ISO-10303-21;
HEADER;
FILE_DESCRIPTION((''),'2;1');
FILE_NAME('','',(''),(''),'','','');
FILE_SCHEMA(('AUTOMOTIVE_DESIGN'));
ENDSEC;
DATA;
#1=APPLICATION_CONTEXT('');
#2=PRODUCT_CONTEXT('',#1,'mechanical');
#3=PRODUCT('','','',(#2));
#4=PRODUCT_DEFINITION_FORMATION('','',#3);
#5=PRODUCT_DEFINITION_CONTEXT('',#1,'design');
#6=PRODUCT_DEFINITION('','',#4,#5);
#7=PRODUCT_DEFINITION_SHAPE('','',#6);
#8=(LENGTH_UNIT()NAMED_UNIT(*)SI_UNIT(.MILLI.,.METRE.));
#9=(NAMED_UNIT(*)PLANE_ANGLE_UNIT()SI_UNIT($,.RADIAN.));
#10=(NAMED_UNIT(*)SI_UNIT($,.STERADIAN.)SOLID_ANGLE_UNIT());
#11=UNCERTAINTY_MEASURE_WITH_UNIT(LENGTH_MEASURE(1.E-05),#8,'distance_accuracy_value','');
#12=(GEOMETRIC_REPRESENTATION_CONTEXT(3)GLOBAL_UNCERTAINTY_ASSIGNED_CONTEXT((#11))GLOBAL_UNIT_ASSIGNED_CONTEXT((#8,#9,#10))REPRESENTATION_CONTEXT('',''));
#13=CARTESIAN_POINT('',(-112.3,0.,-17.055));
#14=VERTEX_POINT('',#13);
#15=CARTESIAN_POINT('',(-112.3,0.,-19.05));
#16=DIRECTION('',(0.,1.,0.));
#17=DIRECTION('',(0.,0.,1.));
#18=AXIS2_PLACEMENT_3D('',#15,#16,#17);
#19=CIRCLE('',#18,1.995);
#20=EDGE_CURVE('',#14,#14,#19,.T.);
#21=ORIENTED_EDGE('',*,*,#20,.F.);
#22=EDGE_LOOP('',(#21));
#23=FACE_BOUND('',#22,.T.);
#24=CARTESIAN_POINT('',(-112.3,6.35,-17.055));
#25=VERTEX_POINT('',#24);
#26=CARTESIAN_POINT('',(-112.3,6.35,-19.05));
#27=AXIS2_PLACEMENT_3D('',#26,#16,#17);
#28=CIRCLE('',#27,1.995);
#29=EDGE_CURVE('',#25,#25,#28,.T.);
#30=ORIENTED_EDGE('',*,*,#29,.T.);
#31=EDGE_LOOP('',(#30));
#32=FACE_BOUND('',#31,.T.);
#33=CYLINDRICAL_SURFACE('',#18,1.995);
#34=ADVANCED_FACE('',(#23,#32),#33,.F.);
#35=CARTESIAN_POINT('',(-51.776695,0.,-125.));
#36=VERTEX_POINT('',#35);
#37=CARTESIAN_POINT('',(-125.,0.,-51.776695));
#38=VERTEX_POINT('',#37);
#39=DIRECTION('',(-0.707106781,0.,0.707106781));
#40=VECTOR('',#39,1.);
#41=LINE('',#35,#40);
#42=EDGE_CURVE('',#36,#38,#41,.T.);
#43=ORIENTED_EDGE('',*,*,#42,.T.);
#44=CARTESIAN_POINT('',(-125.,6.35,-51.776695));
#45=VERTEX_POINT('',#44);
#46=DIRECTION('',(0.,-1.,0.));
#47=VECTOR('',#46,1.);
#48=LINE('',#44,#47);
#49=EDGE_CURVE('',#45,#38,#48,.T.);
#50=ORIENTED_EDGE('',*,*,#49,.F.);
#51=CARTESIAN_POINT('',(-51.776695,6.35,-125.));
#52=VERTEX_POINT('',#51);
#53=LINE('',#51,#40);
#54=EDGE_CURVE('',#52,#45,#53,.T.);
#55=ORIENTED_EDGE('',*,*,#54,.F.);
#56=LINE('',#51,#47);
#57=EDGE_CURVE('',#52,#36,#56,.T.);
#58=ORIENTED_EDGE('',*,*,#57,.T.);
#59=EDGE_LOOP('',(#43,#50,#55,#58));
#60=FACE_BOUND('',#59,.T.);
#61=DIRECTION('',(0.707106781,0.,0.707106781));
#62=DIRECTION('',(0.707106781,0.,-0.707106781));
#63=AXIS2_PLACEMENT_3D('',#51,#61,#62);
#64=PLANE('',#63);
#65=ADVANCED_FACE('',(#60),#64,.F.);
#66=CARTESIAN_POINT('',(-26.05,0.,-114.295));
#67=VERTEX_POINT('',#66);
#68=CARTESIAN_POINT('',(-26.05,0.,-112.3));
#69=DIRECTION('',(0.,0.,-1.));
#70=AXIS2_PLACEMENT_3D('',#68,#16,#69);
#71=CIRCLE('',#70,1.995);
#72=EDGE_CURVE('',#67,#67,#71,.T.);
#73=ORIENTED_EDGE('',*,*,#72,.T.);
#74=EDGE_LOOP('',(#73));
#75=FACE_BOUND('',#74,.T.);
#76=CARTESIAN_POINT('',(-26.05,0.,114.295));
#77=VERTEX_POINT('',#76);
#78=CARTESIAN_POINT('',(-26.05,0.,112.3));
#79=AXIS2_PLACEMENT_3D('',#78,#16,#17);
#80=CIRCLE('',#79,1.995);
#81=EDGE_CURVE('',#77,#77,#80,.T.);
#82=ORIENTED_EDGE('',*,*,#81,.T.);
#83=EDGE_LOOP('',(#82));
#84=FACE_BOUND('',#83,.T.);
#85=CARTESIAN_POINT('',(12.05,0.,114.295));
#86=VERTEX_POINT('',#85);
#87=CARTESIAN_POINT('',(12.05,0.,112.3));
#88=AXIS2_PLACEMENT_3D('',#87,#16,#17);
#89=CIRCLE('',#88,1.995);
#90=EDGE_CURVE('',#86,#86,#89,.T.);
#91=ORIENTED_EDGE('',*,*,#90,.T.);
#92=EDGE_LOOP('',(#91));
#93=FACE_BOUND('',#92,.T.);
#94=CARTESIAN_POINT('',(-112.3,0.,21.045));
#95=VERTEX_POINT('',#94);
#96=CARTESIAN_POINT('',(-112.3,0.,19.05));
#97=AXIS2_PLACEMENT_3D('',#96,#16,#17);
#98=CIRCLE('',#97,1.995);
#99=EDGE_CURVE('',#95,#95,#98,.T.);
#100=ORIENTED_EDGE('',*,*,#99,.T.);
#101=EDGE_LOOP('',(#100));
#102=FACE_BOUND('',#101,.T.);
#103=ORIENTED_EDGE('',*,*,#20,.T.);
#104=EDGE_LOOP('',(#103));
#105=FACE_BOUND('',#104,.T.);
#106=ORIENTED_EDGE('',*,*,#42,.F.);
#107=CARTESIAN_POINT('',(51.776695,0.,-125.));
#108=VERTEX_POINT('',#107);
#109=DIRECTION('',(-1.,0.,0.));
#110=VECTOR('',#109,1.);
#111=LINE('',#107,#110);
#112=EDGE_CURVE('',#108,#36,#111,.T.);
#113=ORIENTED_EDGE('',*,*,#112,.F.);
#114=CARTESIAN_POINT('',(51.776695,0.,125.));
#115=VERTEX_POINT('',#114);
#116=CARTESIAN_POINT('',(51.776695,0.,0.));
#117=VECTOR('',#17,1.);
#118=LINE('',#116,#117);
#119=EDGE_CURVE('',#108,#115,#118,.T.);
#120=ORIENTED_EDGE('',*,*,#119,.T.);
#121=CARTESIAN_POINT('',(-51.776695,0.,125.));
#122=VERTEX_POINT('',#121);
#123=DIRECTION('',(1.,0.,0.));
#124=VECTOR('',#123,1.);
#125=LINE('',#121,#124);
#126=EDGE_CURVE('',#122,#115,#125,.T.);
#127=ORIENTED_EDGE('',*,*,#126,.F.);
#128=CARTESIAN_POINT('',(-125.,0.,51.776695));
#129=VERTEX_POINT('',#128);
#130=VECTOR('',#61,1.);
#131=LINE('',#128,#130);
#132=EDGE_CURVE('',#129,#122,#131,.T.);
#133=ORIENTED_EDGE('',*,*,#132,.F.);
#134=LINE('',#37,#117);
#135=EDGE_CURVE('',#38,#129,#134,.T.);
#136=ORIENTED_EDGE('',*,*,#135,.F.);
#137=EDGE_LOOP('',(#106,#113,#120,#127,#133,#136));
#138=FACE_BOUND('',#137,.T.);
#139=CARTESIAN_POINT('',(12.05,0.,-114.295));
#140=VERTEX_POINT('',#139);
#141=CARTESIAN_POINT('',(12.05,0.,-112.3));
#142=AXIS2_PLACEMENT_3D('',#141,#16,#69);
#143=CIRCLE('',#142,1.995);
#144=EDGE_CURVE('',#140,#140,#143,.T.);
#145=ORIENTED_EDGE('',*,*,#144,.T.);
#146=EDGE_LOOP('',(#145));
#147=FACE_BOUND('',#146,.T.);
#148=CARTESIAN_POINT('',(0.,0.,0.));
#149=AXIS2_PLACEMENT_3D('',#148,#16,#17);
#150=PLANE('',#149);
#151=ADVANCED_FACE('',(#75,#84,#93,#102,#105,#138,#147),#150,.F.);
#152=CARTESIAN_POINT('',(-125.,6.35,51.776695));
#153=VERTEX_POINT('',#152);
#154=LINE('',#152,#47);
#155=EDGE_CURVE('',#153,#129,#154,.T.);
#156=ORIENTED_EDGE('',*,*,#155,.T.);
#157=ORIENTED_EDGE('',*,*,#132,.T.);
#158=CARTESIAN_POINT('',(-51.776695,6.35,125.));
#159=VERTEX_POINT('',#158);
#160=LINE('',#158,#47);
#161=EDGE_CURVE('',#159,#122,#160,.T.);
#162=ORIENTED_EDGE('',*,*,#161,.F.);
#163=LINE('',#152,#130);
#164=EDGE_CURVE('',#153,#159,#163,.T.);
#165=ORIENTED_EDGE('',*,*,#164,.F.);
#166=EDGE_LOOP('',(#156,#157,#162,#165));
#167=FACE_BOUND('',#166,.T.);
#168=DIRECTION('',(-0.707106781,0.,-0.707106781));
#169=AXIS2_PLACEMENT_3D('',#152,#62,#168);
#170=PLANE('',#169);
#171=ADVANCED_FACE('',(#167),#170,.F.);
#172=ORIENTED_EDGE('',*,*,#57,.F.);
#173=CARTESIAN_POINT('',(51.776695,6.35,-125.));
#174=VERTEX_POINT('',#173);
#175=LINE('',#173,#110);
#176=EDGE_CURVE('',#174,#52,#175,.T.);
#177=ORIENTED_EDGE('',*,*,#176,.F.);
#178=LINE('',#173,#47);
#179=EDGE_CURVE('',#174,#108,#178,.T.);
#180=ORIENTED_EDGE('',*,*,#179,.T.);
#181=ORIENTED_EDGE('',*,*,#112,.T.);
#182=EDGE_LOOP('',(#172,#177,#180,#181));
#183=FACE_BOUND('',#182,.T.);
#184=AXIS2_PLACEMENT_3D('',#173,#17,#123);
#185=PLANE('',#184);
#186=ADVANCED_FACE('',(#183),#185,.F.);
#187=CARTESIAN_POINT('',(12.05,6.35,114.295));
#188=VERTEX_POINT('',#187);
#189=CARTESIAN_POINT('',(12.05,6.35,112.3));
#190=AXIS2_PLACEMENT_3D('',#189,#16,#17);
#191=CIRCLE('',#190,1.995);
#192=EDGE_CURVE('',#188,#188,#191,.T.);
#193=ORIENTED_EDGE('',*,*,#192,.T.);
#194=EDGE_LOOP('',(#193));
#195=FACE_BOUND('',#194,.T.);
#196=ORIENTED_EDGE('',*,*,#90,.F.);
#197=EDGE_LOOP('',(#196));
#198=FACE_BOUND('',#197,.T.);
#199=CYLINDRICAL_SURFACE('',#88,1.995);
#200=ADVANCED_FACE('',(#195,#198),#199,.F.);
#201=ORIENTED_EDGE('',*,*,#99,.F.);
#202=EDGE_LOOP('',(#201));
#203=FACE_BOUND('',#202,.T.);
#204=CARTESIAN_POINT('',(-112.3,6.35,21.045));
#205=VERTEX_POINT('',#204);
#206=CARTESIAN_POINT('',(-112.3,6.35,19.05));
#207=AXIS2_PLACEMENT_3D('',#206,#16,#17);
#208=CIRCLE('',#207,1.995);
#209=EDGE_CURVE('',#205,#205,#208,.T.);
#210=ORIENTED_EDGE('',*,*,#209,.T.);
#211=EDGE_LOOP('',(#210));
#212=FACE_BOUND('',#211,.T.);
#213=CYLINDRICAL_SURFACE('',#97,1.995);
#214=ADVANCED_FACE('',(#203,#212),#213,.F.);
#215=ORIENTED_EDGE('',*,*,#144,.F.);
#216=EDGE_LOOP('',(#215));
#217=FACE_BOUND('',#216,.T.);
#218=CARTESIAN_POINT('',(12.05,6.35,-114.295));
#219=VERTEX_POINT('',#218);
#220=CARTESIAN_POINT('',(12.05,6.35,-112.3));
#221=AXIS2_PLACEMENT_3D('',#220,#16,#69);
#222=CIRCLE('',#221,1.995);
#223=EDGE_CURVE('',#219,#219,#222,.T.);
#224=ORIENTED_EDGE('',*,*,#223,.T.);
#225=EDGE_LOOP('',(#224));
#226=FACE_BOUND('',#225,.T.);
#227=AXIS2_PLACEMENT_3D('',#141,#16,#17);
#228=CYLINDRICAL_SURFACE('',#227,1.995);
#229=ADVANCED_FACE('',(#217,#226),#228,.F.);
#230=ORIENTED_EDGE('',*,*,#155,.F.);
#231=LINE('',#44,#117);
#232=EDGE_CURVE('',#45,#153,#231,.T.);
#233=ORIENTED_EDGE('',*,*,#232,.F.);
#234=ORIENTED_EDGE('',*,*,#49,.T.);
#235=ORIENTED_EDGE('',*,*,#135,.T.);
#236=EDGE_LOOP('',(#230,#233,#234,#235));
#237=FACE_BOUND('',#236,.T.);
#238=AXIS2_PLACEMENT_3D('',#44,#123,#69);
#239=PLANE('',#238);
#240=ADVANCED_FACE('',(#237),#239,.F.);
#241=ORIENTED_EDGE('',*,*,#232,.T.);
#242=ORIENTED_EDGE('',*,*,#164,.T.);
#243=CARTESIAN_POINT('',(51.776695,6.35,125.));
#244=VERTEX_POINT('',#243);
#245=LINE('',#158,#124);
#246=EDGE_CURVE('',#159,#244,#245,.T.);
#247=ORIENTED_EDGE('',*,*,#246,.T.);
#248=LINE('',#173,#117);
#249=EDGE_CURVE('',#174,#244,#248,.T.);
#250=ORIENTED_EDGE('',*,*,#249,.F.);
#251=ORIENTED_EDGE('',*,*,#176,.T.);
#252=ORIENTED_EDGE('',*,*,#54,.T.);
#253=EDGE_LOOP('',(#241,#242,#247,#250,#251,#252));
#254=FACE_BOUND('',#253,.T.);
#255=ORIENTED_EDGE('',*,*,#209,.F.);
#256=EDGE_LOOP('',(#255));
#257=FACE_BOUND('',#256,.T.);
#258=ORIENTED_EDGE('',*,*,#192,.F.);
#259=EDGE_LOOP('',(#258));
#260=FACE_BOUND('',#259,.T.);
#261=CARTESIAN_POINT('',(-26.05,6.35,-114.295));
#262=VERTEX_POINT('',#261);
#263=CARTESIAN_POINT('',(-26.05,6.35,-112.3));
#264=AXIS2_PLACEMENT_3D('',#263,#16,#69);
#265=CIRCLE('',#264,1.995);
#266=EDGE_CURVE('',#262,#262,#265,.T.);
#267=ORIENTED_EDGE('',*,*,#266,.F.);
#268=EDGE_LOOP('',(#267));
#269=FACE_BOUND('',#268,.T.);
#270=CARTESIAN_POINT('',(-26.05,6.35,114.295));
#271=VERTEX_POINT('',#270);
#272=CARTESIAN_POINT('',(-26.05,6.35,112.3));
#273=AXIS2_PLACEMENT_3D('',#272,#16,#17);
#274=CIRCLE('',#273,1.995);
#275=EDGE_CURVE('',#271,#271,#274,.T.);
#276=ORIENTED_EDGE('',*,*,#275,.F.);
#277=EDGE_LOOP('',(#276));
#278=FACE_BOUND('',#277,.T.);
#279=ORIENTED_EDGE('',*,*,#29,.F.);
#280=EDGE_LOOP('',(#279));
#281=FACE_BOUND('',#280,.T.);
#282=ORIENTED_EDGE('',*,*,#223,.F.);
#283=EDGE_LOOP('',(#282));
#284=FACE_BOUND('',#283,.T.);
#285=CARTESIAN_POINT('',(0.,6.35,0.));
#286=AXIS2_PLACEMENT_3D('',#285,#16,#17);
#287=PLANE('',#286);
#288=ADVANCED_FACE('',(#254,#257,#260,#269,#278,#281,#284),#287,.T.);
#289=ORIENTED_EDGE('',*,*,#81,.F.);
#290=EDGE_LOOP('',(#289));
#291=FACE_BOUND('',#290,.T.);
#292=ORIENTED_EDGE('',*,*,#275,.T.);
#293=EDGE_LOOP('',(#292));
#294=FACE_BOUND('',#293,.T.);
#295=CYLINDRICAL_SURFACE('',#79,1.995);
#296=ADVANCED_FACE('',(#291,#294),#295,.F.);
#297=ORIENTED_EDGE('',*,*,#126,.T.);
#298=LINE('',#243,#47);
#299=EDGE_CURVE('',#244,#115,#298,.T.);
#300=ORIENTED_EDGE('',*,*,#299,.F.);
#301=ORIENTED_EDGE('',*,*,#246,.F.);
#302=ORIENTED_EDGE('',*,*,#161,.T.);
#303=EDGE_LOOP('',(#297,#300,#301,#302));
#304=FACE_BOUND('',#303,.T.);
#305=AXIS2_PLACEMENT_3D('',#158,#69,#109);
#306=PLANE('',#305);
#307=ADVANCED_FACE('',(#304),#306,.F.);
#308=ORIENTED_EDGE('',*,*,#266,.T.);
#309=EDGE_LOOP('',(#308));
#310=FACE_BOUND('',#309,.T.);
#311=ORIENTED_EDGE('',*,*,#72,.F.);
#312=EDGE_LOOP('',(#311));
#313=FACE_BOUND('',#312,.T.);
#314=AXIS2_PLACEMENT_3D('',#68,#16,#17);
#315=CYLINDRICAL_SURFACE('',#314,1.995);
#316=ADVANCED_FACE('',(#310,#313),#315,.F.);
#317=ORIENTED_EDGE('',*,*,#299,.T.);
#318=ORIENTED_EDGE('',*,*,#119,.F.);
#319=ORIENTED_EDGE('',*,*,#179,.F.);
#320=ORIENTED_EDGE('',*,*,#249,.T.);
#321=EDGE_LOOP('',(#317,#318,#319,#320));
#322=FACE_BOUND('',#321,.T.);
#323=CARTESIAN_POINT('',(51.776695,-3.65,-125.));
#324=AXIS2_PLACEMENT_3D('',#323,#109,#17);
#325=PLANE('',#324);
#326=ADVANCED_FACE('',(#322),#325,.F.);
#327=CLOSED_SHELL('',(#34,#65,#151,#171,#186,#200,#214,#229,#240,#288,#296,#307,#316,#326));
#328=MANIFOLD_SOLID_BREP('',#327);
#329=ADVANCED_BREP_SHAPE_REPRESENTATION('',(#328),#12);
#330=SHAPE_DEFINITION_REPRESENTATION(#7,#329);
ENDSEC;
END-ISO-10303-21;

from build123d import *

# Parameters (mm, degrees)
BOSS_EXTRUDE1_DEPTH = 6.35
SKETCH2_R           = 1.995
CUT_EXTRUDE1_DEPTH  = 177.890707783
SKETCH5_R           = 1.995
CUT_EXTRUDE5_DEPTH  = 177.890707783
CUT_EXTRUDE6_DEPTH  = 10


with BuildPart() as part:
    # Sketch1 → Boss-Extrude1 (new body)
    with BuildSketch(Plane(origin=(0, 0, 0), x_dir=(1, 0, 0), z_dir=(0, 1, 0))):
        Polygon((125, 51.776695297), (51.776695297, 125), (-51.776695297, 125), (-125, 51.776695297), (-125, -51.776695297), (-51.776695297, -125), (51.776695297, -125), (125, -51.776695297), align=None)
    extrude(amount=BOSS_EXTRUDE1_DEPTH)

    # Sketch2 → Cut-Extrude1 (cut, through all)
    with BuildSketch(Plane(origin=(0, 6.35, 0), x_dir=(1, 0, 0), z_dir=(0, 1, 0))):
        with Locations(Location((-26.05, -112.3, 0), (0, 0, 270))):
            Circle(SKETCH2_R)
        with Locations(Location((12.05, -112.3, 0), (0, 0, 270))):
            Circle(SKETCH2_R)
        with Locations(Location((12.05, 112.3, 0), (0, 0, 90))):
            Circle(SKETCH2_R)
        with Locations(Location((-26.05, 112.3, 0), (0, 0, 90))):
            Circle(SKETCH2_R)
    extrude(amount=-CUT_EXTRUDE1_DEPTH, mode=Mode.SUBTRACT)

    # Sketch5 → Cut-Extrude5 (cut, through all)
    with BuildSketch(Plane(origin=(0, 6.35, 0), x_dir=(1, 0, 0), z_dir=(0, 1, 0))):
        with Locations(Location((-112.3, 19.05, 0), (0, 0, 270))):
            Circle(SKETCH5_R)
        with Locations(Location((-112.3, -19.05, 0), (0, 0, 270))):
            Circle(SKETCH5_R)
    extrude(amount=-CUT_EXTRUDE5_DEPTH, mode=Mode.SUBTRACT)

    # Sketch6 → Cut-Extrude6 (cut)
    with BuildSketch(Plane(origin=(0, 6.35, 0), x_dir=(1, 0, 0), z_dir=(0, 1, 0))):
        Polygon((51.776695297, -125), (125, -51.776695297), (125, 51.776695297), (51.776695297, 125), align=None)
    extrude(amount=-CUT_EXTRUDE6_DEPTH, mode=Mode.SUBTRACT)


solid = part.part
